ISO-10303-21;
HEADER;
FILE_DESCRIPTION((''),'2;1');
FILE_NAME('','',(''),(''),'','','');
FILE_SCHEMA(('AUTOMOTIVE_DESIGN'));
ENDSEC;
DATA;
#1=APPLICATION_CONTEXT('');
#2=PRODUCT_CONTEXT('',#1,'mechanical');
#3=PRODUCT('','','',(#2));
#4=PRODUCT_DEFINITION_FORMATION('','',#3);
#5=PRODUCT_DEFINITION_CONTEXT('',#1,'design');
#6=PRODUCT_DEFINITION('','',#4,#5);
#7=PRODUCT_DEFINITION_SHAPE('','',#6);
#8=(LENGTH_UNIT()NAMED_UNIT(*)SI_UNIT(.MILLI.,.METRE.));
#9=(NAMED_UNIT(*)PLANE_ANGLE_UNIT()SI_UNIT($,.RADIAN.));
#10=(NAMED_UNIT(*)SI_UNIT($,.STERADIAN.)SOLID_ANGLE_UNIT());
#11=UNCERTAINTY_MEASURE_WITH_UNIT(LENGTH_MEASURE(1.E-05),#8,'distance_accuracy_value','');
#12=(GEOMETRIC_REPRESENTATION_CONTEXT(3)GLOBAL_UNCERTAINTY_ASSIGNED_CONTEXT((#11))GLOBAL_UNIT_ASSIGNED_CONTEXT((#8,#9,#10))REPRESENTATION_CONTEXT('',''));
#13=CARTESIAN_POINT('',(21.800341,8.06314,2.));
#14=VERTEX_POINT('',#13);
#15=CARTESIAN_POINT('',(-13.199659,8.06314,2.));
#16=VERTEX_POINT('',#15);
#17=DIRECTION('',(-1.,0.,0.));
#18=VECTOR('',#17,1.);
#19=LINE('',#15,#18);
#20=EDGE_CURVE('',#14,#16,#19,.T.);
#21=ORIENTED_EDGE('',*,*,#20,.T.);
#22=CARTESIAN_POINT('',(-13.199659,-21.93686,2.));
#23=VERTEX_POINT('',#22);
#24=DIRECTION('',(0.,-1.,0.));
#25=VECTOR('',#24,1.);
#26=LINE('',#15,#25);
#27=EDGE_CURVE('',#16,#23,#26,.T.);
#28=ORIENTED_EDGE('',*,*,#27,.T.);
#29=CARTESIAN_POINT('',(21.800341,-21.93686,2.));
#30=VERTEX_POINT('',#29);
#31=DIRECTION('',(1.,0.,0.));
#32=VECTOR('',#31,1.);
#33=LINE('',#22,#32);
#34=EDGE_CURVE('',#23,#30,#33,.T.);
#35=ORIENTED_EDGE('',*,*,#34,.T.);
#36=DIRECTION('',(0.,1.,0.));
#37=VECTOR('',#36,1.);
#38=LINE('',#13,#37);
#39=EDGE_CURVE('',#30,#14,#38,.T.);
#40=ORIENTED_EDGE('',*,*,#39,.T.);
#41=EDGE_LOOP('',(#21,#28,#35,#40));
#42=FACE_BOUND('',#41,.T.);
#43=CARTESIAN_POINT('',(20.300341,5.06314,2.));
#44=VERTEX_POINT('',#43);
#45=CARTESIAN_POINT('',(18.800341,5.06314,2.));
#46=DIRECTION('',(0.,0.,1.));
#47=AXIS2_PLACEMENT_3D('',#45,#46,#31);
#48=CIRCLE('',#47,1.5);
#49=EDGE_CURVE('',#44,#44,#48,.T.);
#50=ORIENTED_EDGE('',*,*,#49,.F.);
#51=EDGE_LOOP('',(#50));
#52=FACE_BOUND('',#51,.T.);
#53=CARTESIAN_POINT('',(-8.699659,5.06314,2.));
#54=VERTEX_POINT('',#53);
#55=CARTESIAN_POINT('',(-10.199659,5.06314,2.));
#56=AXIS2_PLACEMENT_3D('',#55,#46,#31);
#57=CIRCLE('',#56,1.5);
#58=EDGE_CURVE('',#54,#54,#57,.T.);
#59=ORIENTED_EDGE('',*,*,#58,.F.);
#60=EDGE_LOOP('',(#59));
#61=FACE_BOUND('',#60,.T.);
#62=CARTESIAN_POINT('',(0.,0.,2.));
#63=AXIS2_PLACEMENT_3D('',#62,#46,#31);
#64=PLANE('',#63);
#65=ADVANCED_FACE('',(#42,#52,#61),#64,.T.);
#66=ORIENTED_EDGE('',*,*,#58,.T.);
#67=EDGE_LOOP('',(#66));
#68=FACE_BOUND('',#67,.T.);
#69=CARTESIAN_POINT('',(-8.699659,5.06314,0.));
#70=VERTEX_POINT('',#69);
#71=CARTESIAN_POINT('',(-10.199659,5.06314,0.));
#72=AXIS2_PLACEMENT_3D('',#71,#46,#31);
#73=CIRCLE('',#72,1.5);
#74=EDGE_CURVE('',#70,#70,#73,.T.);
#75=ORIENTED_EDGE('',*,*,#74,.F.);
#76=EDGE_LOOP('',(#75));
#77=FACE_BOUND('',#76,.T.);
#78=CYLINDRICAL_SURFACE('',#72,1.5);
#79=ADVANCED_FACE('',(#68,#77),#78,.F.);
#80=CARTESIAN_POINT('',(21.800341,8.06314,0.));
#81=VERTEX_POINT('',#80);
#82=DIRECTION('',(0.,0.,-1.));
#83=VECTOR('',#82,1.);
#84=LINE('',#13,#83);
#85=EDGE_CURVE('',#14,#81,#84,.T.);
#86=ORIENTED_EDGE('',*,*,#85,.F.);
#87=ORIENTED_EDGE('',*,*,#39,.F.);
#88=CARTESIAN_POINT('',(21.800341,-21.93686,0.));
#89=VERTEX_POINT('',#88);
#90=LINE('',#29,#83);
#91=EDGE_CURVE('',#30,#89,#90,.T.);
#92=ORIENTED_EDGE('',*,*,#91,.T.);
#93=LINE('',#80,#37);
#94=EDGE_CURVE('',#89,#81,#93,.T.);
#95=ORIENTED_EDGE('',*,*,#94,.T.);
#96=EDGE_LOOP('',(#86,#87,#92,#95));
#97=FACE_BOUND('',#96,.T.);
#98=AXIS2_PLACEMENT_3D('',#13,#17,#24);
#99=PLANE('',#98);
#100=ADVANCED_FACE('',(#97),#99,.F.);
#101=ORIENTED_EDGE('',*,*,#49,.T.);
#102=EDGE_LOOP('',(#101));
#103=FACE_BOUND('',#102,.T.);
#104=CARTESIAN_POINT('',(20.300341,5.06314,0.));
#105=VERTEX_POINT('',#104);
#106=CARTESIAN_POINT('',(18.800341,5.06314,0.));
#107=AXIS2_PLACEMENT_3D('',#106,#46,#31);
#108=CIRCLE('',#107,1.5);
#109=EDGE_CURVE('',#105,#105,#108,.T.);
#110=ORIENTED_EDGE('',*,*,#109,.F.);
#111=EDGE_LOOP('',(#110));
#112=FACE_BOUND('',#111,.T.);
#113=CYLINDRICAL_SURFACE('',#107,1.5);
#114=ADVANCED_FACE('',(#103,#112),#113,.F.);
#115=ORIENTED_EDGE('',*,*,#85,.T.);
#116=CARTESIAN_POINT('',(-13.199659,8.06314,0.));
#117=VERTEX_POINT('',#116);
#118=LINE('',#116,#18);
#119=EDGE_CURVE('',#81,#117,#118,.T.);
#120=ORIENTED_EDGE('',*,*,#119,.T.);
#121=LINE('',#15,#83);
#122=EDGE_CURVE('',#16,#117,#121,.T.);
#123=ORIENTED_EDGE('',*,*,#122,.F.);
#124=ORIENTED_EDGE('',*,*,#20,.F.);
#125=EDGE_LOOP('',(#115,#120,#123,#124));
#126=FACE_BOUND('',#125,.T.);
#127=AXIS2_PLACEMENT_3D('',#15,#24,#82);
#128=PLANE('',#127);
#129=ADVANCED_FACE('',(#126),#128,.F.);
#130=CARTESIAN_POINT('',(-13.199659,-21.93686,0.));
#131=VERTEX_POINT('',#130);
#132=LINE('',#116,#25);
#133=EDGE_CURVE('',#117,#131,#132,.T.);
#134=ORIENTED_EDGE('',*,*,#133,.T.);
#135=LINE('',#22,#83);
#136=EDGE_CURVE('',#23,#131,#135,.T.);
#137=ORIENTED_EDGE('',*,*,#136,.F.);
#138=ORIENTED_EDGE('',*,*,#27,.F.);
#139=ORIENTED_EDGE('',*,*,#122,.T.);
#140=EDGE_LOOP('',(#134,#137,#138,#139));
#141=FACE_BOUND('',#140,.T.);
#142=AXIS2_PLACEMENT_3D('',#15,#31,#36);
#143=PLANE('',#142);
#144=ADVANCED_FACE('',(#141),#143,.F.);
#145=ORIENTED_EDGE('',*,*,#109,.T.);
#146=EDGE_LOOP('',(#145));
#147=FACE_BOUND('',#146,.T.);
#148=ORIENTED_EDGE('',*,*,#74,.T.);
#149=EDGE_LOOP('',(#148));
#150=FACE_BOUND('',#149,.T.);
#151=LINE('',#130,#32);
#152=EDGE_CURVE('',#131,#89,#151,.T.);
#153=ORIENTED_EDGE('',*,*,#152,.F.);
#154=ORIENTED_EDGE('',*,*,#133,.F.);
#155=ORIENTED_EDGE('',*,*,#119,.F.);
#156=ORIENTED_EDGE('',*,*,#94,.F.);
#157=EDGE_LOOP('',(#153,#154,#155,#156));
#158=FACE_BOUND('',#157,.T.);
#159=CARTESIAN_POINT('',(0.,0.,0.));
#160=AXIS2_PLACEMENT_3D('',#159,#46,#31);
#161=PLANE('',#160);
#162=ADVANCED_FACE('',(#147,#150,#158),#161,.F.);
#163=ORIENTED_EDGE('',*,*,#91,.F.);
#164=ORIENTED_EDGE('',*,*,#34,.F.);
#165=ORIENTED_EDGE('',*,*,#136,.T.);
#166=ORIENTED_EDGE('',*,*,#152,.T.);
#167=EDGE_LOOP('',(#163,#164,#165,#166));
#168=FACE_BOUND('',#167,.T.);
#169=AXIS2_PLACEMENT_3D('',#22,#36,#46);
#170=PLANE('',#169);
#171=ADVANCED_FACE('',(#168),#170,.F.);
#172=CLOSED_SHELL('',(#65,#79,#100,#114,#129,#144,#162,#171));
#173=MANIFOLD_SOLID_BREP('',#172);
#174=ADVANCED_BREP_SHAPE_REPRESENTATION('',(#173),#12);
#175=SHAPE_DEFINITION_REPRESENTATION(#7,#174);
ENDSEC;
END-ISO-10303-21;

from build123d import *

# Parameters (mm, degrees)
SKETCH1_W           = 35
SKETCH1_H           = 30
BOSS_EXTRUDE1_DEPTH = 2
SKETCH2_R           = 1.5
CUT_EXTRUDE1_DEPTH  = 2


with BuildPart() as part:
    # Sketch1 → Boss-Extrude1 (new body)
    with BuildSketch(Plane.XY):
        with Locations((4.300341297, -6.936860068)):
            Rectangle(SKETCH1_W, SKETCH1_H)
    extrude(amount=BOSS_EXTRUDE1_DEPTH)

    # Sketch2 → Cut-Extrude1 (cut)
    with BuildSketch(Plane.XY.offset(2)):
        with Locations((-10.199658703, 5.063139932)):
            Circle(SKETCH2_R)
        with Locations((18.800341297, 5.063139932)):
            Circle(SKETCH2_R)
    extrude(amount=-CUT_EXTRUDE1_DEPTH, mode=Mode.SUBTRACT)


solid = part.part
